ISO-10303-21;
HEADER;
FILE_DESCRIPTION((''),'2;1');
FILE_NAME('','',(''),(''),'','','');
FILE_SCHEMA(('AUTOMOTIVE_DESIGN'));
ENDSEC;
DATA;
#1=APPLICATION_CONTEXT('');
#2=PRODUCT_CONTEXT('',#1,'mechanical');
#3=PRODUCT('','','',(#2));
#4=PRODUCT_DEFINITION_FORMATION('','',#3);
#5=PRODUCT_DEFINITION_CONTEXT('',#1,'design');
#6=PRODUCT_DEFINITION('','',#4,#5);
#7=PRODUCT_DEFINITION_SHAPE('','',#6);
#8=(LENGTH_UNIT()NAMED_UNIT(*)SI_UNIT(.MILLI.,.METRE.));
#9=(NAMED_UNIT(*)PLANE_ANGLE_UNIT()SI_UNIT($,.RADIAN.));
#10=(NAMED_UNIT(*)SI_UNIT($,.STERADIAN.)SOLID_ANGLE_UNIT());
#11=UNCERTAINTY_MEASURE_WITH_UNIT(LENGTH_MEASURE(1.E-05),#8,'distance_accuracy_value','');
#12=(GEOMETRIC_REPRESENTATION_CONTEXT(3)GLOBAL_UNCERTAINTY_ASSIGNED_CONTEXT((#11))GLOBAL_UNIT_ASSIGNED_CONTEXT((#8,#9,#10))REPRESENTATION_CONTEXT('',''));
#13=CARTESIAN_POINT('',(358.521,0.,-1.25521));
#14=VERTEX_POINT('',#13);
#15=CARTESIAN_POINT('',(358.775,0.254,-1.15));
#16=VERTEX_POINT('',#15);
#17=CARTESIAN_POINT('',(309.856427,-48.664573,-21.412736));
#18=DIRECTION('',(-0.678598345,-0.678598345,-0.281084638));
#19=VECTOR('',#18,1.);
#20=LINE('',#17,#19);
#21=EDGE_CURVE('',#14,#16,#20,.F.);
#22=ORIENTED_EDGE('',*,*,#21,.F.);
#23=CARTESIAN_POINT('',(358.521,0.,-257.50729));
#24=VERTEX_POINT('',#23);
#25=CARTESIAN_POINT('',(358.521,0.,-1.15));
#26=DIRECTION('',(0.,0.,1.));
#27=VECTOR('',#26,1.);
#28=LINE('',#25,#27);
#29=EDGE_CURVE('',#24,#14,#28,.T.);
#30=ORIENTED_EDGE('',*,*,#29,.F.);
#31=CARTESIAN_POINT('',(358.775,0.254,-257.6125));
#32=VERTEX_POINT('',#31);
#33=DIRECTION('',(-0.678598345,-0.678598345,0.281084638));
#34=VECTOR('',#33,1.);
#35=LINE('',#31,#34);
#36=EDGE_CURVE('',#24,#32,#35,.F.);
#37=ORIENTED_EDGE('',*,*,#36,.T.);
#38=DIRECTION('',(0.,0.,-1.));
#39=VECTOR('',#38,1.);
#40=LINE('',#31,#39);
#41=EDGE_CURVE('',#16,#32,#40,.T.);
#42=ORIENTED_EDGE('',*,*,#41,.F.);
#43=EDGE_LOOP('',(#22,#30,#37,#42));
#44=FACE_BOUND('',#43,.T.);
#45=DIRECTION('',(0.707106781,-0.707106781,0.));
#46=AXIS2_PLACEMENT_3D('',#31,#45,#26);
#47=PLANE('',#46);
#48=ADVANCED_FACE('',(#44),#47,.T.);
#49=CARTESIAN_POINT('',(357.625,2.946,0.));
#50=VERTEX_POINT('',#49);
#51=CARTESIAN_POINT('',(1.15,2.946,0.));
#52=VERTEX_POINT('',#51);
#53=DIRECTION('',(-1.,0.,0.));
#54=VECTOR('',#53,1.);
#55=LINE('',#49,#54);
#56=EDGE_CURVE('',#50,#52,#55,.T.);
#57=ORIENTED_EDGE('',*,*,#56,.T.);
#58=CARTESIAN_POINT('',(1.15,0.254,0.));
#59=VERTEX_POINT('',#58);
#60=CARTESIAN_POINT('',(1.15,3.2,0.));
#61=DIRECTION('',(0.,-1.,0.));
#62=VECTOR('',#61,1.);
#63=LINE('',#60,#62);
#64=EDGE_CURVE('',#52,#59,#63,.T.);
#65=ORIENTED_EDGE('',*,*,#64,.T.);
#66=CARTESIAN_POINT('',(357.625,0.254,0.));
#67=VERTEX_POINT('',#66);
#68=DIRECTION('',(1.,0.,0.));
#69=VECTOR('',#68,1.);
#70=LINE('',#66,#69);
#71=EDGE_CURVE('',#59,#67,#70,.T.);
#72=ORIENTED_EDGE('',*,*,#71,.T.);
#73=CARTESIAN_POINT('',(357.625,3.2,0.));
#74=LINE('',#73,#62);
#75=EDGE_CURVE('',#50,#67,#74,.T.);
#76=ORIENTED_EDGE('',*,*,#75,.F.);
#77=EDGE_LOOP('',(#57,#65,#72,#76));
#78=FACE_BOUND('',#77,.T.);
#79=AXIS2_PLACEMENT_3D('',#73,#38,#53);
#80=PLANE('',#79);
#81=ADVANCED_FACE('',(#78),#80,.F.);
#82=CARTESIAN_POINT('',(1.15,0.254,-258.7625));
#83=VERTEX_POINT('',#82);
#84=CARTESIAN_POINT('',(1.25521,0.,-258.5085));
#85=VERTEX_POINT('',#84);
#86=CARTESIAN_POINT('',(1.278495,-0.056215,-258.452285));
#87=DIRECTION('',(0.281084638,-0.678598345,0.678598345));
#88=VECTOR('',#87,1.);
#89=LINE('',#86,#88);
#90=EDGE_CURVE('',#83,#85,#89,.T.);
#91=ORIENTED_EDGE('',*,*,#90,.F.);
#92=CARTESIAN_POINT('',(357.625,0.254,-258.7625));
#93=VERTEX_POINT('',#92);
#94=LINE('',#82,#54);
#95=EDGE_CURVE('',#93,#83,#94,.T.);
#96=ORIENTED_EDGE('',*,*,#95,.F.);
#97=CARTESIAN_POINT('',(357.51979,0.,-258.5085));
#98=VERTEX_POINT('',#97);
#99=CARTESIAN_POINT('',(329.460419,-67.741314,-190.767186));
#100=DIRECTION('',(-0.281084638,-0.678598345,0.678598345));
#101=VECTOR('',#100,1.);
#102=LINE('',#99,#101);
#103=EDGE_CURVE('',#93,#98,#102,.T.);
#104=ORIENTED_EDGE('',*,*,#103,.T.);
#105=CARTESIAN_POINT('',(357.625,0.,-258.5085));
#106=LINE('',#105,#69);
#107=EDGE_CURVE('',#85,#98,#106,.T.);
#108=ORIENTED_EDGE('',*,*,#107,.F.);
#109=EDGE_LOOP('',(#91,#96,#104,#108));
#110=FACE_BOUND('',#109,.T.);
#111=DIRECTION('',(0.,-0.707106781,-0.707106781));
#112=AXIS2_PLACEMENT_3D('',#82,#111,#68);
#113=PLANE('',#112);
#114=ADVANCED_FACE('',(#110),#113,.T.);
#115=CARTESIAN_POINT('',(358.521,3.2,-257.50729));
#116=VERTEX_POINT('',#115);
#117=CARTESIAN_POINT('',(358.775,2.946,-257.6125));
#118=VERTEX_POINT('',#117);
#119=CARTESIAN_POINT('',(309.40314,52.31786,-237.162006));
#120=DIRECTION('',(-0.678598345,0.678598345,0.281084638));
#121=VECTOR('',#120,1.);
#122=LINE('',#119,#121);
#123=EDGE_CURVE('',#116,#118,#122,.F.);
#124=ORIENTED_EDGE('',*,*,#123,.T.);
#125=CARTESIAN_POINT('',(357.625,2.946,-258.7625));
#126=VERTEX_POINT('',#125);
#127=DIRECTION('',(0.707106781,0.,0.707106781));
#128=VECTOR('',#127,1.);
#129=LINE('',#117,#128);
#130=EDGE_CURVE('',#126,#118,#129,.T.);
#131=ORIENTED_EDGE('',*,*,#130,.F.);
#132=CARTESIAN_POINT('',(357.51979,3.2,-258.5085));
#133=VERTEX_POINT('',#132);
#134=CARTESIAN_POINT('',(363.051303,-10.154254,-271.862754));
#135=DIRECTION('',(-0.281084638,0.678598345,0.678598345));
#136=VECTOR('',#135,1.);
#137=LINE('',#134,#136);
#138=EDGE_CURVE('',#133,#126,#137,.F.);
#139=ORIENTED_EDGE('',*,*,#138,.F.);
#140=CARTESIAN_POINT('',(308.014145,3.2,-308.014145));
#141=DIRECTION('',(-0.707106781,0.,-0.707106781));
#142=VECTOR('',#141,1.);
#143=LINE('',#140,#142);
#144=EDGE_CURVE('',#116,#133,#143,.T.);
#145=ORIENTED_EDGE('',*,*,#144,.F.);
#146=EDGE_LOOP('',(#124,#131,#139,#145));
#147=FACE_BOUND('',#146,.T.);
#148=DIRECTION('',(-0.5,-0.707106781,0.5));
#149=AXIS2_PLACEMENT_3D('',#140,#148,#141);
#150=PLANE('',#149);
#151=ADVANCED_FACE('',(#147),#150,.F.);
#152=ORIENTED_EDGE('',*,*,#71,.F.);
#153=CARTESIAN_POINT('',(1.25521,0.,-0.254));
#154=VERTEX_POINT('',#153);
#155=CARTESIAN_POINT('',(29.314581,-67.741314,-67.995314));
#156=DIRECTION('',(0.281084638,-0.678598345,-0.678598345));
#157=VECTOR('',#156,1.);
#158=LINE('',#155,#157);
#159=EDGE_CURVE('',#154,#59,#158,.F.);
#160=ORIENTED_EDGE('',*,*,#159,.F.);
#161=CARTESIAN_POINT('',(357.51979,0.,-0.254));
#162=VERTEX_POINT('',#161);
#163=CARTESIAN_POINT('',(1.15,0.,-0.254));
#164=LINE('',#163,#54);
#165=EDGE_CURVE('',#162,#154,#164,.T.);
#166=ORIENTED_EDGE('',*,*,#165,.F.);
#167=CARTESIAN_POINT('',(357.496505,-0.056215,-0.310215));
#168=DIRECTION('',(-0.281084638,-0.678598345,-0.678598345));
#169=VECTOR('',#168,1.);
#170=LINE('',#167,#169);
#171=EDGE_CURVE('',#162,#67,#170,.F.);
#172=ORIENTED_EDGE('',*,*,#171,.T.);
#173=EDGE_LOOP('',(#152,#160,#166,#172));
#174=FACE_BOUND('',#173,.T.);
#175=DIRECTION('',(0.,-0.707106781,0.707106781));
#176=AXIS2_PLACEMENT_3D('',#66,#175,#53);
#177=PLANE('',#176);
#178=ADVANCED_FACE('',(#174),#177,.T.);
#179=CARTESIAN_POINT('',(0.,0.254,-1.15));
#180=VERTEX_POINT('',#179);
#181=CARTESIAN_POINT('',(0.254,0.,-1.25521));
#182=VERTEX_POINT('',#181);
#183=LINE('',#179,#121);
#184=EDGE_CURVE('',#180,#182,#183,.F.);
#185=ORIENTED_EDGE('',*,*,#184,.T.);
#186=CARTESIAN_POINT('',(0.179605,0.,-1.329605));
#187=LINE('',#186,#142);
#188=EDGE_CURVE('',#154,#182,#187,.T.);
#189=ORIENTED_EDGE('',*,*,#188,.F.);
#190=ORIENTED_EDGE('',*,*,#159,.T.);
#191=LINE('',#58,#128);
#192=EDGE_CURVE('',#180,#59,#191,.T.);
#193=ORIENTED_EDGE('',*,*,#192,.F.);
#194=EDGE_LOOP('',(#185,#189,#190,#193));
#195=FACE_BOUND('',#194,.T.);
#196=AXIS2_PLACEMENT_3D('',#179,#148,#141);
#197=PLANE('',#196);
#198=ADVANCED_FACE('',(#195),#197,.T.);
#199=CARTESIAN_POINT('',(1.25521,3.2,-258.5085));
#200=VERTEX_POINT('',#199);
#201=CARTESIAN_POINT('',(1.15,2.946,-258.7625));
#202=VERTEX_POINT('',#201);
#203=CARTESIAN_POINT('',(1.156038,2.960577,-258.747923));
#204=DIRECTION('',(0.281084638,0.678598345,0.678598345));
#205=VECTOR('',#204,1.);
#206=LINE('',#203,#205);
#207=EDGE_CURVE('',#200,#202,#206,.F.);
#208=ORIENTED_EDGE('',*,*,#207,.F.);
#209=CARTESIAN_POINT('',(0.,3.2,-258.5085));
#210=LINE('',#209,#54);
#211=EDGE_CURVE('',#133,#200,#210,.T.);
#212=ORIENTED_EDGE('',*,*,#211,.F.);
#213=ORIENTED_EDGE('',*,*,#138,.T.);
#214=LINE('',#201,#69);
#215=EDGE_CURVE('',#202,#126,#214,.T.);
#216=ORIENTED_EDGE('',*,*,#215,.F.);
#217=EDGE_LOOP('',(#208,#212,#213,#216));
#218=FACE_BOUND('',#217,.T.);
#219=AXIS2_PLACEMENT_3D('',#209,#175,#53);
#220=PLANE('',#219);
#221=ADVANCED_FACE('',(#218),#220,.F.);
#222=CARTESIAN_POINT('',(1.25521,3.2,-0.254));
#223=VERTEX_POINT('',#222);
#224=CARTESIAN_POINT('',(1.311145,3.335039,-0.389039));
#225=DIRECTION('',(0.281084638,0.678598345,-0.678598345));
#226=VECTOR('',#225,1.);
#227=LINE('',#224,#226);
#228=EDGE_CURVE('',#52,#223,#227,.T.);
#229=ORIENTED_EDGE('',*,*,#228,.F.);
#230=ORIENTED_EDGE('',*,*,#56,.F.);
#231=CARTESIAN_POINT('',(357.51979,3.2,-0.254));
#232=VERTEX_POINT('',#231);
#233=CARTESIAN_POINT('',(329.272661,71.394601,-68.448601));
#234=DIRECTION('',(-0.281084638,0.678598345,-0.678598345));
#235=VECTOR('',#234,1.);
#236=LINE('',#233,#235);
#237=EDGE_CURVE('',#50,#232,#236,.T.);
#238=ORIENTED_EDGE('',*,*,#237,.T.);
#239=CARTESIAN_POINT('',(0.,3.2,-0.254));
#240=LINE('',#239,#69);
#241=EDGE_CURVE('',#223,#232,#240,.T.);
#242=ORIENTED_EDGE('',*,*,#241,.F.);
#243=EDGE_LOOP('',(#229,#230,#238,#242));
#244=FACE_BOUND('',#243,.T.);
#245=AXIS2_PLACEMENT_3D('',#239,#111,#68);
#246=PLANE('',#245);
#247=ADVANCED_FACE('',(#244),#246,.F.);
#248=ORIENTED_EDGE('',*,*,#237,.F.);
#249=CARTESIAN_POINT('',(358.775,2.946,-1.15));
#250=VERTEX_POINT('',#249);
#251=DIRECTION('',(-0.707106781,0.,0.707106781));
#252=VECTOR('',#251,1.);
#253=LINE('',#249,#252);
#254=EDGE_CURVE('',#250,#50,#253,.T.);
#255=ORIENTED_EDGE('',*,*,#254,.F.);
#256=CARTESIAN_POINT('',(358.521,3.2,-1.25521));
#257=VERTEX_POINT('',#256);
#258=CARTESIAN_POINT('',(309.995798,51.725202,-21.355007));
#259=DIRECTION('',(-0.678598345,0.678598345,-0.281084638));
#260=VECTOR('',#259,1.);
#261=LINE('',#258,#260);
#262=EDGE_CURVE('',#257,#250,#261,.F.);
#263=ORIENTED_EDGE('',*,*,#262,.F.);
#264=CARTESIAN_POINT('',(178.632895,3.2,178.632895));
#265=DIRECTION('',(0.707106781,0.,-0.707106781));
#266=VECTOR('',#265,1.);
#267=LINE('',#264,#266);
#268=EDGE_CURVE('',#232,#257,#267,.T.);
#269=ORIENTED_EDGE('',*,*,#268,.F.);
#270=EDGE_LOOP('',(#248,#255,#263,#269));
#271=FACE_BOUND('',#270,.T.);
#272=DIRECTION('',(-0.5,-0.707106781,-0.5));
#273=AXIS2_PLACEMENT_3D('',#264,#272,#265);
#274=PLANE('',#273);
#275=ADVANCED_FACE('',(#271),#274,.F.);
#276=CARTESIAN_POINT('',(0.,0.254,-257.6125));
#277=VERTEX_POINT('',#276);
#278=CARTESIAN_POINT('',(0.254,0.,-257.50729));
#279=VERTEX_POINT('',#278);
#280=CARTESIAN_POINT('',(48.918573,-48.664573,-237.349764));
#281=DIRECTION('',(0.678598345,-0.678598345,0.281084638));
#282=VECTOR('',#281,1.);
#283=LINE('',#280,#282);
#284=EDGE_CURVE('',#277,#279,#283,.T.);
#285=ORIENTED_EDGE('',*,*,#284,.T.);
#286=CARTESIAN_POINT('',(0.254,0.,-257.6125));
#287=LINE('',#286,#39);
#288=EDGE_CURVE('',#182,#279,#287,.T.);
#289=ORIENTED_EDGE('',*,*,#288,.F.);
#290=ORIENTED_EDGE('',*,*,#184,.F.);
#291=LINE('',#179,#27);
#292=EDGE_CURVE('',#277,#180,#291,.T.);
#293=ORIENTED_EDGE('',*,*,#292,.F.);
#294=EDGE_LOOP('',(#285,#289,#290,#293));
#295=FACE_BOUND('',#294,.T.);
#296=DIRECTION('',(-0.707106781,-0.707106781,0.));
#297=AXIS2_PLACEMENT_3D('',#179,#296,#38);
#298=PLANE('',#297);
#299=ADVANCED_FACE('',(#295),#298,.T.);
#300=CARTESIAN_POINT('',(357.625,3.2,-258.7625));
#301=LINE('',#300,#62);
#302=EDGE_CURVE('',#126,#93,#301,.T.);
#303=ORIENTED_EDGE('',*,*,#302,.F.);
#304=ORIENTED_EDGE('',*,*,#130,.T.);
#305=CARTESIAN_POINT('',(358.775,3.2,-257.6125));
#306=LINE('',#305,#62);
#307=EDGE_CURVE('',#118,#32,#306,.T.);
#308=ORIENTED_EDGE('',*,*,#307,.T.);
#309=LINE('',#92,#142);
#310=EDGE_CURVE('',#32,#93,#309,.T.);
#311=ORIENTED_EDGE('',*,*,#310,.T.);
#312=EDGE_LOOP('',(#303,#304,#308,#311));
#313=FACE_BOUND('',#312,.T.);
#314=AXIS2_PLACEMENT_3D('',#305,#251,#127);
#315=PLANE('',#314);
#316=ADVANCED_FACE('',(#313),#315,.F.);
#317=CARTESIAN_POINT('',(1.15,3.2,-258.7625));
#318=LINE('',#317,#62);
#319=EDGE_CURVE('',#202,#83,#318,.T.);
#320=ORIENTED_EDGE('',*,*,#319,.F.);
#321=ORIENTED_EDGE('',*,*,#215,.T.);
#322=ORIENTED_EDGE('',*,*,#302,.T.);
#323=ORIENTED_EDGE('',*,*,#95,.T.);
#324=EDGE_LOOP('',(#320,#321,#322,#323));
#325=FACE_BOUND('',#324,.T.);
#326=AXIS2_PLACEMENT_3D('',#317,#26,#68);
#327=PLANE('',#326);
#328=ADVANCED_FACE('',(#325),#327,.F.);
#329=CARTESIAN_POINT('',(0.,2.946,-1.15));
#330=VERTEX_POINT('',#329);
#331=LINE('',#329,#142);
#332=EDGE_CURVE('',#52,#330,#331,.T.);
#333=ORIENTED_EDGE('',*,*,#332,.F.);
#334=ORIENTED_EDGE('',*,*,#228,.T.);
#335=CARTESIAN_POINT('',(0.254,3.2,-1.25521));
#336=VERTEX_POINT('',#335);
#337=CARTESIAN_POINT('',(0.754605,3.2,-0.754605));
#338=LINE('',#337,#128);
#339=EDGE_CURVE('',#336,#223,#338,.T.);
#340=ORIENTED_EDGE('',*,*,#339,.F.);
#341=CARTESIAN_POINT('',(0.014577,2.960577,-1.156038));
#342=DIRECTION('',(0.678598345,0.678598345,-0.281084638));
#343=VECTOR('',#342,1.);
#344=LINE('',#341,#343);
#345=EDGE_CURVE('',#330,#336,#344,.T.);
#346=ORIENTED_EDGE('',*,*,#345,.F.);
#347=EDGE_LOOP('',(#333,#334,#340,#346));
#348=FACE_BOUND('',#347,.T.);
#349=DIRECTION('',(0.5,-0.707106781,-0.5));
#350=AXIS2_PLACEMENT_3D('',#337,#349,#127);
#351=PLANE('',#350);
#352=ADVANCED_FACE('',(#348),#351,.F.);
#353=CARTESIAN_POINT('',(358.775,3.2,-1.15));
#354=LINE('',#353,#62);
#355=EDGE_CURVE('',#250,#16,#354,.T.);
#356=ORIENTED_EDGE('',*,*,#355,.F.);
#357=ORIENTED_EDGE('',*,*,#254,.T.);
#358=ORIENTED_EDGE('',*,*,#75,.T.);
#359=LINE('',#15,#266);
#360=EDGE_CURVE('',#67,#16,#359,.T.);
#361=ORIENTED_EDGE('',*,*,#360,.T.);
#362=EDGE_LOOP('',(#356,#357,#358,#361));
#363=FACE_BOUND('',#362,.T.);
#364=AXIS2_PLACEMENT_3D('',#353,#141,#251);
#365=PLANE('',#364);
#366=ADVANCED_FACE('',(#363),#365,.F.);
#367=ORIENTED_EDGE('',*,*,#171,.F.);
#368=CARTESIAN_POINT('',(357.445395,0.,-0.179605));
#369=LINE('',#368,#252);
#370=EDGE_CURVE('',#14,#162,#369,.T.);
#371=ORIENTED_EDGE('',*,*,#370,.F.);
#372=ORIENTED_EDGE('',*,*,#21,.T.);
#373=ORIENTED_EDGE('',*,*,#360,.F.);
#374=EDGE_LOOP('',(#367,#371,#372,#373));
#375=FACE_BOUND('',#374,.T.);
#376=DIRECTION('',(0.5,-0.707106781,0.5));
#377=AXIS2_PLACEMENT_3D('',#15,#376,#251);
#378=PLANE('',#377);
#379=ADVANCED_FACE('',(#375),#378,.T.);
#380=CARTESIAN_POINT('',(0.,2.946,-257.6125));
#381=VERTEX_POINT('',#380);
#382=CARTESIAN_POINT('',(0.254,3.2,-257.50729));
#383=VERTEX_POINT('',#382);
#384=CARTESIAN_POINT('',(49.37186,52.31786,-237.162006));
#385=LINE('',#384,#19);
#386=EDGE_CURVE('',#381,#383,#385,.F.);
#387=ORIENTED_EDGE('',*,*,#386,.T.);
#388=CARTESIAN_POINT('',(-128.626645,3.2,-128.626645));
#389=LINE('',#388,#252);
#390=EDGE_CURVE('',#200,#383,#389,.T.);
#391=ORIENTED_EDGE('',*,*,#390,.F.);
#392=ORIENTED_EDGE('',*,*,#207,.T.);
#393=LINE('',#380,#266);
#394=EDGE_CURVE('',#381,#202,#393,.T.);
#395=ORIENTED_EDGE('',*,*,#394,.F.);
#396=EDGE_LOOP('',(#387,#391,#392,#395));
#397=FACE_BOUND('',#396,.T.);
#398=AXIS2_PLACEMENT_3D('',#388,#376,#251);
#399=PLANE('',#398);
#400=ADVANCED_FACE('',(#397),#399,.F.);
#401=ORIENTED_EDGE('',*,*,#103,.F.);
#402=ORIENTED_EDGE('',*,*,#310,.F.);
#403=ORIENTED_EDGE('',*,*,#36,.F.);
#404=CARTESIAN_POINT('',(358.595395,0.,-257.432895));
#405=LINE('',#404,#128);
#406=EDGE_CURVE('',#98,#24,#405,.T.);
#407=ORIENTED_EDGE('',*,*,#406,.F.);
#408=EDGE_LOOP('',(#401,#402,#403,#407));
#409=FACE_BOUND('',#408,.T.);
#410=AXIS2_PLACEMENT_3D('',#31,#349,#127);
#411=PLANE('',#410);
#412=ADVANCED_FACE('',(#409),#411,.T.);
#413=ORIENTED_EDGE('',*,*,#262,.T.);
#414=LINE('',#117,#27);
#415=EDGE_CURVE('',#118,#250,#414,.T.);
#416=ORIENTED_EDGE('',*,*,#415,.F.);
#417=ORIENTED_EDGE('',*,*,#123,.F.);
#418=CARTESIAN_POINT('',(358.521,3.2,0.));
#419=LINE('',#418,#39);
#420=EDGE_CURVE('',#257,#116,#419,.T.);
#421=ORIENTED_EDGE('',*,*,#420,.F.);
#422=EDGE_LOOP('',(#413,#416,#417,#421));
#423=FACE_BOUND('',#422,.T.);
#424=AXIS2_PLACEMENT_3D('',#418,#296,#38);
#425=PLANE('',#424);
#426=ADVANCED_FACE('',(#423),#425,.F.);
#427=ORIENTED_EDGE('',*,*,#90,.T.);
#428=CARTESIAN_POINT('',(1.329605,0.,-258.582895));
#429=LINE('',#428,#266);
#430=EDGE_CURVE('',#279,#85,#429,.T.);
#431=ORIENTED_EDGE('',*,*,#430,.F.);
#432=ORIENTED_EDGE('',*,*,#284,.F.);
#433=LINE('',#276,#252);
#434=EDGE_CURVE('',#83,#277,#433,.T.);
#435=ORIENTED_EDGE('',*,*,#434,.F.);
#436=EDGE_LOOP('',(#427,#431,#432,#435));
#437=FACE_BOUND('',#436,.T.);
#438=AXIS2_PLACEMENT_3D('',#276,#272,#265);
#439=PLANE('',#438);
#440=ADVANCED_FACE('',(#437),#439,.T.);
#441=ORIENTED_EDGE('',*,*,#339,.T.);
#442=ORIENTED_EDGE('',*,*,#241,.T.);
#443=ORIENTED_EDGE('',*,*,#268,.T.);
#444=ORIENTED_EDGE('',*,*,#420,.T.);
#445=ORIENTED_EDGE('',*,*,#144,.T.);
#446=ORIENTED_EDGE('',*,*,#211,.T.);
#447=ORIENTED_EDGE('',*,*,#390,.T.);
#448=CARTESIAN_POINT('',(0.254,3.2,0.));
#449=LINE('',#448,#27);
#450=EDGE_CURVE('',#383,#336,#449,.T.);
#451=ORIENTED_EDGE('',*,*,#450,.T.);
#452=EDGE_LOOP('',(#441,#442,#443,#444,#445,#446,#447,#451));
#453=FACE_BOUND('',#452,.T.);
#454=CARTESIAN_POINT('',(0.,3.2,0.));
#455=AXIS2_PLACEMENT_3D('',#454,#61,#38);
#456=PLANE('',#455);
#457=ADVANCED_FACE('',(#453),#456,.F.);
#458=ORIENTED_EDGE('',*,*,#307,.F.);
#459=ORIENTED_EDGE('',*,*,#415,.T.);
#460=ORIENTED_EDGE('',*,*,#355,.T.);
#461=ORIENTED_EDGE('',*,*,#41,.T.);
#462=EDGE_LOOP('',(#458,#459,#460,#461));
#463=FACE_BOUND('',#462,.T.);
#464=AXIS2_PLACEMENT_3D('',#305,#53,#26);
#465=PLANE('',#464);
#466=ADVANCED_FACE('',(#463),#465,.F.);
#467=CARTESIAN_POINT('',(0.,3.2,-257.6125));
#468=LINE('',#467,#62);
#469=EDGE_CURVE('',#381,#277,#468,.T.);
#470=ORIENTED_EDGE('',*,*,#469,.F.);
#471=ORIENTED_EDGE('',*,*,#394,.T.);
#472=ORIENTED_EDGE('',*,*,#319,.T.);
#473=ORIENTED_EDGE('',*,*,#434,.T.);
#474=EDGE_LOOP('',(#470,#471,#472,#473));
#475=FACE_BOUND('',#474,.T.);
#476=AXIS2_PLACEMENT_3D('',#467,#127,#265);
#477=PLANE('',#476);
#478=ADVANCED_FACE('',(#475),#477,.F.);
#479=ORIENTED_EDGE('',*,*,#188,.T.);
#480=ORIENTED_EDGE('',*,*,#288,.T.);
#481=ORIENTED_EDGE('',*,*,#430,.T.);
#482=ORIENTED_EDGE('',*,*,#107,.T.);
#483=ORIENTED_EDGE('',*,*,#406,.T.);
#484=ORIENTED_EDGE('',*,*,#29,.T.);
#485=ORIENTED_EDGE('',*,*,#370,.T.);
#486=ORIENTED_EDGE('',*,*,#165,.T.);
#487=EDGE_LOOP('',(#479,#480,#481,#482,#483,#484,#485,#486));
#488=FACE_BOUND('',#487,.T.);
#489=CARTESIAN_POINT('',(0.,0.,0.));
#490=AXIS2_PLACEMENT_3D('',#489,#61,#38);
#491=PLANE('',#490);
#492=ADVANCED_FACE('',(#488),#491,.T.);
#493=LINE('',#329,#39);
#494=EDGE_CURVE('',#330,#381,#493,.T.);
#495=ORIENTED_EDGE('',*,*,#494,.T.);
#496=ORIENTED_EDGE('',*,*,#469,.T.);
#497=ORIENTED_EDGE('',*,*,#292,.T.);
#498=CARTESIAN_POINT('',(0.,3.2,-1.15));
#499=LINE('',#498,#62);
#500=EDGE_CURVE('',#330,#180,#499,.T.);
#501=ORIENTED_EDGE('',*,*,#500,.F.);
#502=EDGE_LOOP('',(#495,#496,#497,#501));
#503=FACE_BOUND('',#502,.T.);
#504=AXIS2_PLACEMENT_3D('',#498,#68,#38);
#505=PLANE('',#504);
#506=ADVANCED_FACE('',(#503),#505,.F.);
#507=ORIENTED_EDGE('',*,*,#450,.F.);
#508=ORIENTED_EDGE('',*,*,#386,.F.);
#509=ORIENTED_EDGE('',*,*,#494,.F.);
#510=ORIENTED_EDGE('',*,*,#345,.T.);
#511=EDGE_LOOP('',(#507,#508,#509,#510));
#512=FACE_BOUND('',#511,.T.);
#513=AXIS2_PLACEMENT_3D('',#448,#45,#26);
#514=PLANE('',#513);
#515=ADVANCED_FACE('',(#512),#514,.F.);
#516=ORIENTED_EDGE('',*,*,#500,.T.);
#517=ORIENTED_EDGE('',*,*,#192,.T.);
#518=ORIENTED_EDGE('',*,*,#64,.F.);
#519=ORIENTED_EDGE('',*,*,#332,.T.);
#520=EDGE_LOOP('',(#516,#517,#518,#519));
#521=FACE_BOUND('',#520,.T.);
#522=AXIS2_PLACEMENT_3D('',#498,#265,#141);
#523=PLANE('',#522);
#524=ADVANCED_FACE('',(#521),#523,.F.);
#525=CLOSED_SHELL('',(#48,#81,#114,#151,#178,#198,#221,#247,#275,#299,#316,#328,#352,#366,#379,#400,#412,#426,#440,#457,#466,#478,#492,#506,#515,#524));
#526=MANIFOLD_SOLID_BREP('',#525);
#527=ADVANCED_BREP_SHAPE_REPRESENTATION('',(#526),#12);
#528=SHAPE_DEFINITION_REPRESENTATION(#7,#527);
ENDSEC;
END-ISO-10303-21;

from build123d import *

# Parameters (mm, degrees)
BOSS_EXTRUDE1_DEPTH = 3.2
CHAMFER1_SIZE       = 0.254


with BuildPart() as part:
    # Sketch1 → Boss-Extrude1 (new body)
    with BuildSketch(Plane(origin=(0, 0, 0), x_dir=(1, 0, 0), z_dir=(0, 1, 0))):
        Polygon((0, 257.6125), (1.15, 258.7625), (357.625, 258.7625), (358.775, 257.6125), (358.775, 1.15), (357.625, 0), (1.15, 0), (0, 1.15), align=None)
    extrude(amount=BOSS_EXTRUDE1_DEPTH)

    # Chamfer1
    chamfer1_edges = [part.edges().sort_by_distance(p)[0] for p in [
        (179.3875, 3.2, 0),
        (0.575, 0, -0.575),
        (0, 0, -129.38125),
        (358.2, 3.2, -0.575),
        (358.775, 3.2, -129.38125),
        (358.2, 3.2, -258.1875),
        (179.3875, 3.2, -258.7625),
        (0.575, 3.2, -258.1875),
        (0, 3.2, -129.38125),
        (0.575, 3.2, -0.575),
        (0.575, 0, -258.1875),
        (179.3875, 0, -258.7625),
        (358.2, 0, -258.1875),
        (358.775, 0, -129.38125),
        (358.2, 0, -0.575),
        (179.3875, 0, 0),
    ]]
    chamfer(chamfer1_edges, length=CHAMFER1_SIZE)


solid = part.part
